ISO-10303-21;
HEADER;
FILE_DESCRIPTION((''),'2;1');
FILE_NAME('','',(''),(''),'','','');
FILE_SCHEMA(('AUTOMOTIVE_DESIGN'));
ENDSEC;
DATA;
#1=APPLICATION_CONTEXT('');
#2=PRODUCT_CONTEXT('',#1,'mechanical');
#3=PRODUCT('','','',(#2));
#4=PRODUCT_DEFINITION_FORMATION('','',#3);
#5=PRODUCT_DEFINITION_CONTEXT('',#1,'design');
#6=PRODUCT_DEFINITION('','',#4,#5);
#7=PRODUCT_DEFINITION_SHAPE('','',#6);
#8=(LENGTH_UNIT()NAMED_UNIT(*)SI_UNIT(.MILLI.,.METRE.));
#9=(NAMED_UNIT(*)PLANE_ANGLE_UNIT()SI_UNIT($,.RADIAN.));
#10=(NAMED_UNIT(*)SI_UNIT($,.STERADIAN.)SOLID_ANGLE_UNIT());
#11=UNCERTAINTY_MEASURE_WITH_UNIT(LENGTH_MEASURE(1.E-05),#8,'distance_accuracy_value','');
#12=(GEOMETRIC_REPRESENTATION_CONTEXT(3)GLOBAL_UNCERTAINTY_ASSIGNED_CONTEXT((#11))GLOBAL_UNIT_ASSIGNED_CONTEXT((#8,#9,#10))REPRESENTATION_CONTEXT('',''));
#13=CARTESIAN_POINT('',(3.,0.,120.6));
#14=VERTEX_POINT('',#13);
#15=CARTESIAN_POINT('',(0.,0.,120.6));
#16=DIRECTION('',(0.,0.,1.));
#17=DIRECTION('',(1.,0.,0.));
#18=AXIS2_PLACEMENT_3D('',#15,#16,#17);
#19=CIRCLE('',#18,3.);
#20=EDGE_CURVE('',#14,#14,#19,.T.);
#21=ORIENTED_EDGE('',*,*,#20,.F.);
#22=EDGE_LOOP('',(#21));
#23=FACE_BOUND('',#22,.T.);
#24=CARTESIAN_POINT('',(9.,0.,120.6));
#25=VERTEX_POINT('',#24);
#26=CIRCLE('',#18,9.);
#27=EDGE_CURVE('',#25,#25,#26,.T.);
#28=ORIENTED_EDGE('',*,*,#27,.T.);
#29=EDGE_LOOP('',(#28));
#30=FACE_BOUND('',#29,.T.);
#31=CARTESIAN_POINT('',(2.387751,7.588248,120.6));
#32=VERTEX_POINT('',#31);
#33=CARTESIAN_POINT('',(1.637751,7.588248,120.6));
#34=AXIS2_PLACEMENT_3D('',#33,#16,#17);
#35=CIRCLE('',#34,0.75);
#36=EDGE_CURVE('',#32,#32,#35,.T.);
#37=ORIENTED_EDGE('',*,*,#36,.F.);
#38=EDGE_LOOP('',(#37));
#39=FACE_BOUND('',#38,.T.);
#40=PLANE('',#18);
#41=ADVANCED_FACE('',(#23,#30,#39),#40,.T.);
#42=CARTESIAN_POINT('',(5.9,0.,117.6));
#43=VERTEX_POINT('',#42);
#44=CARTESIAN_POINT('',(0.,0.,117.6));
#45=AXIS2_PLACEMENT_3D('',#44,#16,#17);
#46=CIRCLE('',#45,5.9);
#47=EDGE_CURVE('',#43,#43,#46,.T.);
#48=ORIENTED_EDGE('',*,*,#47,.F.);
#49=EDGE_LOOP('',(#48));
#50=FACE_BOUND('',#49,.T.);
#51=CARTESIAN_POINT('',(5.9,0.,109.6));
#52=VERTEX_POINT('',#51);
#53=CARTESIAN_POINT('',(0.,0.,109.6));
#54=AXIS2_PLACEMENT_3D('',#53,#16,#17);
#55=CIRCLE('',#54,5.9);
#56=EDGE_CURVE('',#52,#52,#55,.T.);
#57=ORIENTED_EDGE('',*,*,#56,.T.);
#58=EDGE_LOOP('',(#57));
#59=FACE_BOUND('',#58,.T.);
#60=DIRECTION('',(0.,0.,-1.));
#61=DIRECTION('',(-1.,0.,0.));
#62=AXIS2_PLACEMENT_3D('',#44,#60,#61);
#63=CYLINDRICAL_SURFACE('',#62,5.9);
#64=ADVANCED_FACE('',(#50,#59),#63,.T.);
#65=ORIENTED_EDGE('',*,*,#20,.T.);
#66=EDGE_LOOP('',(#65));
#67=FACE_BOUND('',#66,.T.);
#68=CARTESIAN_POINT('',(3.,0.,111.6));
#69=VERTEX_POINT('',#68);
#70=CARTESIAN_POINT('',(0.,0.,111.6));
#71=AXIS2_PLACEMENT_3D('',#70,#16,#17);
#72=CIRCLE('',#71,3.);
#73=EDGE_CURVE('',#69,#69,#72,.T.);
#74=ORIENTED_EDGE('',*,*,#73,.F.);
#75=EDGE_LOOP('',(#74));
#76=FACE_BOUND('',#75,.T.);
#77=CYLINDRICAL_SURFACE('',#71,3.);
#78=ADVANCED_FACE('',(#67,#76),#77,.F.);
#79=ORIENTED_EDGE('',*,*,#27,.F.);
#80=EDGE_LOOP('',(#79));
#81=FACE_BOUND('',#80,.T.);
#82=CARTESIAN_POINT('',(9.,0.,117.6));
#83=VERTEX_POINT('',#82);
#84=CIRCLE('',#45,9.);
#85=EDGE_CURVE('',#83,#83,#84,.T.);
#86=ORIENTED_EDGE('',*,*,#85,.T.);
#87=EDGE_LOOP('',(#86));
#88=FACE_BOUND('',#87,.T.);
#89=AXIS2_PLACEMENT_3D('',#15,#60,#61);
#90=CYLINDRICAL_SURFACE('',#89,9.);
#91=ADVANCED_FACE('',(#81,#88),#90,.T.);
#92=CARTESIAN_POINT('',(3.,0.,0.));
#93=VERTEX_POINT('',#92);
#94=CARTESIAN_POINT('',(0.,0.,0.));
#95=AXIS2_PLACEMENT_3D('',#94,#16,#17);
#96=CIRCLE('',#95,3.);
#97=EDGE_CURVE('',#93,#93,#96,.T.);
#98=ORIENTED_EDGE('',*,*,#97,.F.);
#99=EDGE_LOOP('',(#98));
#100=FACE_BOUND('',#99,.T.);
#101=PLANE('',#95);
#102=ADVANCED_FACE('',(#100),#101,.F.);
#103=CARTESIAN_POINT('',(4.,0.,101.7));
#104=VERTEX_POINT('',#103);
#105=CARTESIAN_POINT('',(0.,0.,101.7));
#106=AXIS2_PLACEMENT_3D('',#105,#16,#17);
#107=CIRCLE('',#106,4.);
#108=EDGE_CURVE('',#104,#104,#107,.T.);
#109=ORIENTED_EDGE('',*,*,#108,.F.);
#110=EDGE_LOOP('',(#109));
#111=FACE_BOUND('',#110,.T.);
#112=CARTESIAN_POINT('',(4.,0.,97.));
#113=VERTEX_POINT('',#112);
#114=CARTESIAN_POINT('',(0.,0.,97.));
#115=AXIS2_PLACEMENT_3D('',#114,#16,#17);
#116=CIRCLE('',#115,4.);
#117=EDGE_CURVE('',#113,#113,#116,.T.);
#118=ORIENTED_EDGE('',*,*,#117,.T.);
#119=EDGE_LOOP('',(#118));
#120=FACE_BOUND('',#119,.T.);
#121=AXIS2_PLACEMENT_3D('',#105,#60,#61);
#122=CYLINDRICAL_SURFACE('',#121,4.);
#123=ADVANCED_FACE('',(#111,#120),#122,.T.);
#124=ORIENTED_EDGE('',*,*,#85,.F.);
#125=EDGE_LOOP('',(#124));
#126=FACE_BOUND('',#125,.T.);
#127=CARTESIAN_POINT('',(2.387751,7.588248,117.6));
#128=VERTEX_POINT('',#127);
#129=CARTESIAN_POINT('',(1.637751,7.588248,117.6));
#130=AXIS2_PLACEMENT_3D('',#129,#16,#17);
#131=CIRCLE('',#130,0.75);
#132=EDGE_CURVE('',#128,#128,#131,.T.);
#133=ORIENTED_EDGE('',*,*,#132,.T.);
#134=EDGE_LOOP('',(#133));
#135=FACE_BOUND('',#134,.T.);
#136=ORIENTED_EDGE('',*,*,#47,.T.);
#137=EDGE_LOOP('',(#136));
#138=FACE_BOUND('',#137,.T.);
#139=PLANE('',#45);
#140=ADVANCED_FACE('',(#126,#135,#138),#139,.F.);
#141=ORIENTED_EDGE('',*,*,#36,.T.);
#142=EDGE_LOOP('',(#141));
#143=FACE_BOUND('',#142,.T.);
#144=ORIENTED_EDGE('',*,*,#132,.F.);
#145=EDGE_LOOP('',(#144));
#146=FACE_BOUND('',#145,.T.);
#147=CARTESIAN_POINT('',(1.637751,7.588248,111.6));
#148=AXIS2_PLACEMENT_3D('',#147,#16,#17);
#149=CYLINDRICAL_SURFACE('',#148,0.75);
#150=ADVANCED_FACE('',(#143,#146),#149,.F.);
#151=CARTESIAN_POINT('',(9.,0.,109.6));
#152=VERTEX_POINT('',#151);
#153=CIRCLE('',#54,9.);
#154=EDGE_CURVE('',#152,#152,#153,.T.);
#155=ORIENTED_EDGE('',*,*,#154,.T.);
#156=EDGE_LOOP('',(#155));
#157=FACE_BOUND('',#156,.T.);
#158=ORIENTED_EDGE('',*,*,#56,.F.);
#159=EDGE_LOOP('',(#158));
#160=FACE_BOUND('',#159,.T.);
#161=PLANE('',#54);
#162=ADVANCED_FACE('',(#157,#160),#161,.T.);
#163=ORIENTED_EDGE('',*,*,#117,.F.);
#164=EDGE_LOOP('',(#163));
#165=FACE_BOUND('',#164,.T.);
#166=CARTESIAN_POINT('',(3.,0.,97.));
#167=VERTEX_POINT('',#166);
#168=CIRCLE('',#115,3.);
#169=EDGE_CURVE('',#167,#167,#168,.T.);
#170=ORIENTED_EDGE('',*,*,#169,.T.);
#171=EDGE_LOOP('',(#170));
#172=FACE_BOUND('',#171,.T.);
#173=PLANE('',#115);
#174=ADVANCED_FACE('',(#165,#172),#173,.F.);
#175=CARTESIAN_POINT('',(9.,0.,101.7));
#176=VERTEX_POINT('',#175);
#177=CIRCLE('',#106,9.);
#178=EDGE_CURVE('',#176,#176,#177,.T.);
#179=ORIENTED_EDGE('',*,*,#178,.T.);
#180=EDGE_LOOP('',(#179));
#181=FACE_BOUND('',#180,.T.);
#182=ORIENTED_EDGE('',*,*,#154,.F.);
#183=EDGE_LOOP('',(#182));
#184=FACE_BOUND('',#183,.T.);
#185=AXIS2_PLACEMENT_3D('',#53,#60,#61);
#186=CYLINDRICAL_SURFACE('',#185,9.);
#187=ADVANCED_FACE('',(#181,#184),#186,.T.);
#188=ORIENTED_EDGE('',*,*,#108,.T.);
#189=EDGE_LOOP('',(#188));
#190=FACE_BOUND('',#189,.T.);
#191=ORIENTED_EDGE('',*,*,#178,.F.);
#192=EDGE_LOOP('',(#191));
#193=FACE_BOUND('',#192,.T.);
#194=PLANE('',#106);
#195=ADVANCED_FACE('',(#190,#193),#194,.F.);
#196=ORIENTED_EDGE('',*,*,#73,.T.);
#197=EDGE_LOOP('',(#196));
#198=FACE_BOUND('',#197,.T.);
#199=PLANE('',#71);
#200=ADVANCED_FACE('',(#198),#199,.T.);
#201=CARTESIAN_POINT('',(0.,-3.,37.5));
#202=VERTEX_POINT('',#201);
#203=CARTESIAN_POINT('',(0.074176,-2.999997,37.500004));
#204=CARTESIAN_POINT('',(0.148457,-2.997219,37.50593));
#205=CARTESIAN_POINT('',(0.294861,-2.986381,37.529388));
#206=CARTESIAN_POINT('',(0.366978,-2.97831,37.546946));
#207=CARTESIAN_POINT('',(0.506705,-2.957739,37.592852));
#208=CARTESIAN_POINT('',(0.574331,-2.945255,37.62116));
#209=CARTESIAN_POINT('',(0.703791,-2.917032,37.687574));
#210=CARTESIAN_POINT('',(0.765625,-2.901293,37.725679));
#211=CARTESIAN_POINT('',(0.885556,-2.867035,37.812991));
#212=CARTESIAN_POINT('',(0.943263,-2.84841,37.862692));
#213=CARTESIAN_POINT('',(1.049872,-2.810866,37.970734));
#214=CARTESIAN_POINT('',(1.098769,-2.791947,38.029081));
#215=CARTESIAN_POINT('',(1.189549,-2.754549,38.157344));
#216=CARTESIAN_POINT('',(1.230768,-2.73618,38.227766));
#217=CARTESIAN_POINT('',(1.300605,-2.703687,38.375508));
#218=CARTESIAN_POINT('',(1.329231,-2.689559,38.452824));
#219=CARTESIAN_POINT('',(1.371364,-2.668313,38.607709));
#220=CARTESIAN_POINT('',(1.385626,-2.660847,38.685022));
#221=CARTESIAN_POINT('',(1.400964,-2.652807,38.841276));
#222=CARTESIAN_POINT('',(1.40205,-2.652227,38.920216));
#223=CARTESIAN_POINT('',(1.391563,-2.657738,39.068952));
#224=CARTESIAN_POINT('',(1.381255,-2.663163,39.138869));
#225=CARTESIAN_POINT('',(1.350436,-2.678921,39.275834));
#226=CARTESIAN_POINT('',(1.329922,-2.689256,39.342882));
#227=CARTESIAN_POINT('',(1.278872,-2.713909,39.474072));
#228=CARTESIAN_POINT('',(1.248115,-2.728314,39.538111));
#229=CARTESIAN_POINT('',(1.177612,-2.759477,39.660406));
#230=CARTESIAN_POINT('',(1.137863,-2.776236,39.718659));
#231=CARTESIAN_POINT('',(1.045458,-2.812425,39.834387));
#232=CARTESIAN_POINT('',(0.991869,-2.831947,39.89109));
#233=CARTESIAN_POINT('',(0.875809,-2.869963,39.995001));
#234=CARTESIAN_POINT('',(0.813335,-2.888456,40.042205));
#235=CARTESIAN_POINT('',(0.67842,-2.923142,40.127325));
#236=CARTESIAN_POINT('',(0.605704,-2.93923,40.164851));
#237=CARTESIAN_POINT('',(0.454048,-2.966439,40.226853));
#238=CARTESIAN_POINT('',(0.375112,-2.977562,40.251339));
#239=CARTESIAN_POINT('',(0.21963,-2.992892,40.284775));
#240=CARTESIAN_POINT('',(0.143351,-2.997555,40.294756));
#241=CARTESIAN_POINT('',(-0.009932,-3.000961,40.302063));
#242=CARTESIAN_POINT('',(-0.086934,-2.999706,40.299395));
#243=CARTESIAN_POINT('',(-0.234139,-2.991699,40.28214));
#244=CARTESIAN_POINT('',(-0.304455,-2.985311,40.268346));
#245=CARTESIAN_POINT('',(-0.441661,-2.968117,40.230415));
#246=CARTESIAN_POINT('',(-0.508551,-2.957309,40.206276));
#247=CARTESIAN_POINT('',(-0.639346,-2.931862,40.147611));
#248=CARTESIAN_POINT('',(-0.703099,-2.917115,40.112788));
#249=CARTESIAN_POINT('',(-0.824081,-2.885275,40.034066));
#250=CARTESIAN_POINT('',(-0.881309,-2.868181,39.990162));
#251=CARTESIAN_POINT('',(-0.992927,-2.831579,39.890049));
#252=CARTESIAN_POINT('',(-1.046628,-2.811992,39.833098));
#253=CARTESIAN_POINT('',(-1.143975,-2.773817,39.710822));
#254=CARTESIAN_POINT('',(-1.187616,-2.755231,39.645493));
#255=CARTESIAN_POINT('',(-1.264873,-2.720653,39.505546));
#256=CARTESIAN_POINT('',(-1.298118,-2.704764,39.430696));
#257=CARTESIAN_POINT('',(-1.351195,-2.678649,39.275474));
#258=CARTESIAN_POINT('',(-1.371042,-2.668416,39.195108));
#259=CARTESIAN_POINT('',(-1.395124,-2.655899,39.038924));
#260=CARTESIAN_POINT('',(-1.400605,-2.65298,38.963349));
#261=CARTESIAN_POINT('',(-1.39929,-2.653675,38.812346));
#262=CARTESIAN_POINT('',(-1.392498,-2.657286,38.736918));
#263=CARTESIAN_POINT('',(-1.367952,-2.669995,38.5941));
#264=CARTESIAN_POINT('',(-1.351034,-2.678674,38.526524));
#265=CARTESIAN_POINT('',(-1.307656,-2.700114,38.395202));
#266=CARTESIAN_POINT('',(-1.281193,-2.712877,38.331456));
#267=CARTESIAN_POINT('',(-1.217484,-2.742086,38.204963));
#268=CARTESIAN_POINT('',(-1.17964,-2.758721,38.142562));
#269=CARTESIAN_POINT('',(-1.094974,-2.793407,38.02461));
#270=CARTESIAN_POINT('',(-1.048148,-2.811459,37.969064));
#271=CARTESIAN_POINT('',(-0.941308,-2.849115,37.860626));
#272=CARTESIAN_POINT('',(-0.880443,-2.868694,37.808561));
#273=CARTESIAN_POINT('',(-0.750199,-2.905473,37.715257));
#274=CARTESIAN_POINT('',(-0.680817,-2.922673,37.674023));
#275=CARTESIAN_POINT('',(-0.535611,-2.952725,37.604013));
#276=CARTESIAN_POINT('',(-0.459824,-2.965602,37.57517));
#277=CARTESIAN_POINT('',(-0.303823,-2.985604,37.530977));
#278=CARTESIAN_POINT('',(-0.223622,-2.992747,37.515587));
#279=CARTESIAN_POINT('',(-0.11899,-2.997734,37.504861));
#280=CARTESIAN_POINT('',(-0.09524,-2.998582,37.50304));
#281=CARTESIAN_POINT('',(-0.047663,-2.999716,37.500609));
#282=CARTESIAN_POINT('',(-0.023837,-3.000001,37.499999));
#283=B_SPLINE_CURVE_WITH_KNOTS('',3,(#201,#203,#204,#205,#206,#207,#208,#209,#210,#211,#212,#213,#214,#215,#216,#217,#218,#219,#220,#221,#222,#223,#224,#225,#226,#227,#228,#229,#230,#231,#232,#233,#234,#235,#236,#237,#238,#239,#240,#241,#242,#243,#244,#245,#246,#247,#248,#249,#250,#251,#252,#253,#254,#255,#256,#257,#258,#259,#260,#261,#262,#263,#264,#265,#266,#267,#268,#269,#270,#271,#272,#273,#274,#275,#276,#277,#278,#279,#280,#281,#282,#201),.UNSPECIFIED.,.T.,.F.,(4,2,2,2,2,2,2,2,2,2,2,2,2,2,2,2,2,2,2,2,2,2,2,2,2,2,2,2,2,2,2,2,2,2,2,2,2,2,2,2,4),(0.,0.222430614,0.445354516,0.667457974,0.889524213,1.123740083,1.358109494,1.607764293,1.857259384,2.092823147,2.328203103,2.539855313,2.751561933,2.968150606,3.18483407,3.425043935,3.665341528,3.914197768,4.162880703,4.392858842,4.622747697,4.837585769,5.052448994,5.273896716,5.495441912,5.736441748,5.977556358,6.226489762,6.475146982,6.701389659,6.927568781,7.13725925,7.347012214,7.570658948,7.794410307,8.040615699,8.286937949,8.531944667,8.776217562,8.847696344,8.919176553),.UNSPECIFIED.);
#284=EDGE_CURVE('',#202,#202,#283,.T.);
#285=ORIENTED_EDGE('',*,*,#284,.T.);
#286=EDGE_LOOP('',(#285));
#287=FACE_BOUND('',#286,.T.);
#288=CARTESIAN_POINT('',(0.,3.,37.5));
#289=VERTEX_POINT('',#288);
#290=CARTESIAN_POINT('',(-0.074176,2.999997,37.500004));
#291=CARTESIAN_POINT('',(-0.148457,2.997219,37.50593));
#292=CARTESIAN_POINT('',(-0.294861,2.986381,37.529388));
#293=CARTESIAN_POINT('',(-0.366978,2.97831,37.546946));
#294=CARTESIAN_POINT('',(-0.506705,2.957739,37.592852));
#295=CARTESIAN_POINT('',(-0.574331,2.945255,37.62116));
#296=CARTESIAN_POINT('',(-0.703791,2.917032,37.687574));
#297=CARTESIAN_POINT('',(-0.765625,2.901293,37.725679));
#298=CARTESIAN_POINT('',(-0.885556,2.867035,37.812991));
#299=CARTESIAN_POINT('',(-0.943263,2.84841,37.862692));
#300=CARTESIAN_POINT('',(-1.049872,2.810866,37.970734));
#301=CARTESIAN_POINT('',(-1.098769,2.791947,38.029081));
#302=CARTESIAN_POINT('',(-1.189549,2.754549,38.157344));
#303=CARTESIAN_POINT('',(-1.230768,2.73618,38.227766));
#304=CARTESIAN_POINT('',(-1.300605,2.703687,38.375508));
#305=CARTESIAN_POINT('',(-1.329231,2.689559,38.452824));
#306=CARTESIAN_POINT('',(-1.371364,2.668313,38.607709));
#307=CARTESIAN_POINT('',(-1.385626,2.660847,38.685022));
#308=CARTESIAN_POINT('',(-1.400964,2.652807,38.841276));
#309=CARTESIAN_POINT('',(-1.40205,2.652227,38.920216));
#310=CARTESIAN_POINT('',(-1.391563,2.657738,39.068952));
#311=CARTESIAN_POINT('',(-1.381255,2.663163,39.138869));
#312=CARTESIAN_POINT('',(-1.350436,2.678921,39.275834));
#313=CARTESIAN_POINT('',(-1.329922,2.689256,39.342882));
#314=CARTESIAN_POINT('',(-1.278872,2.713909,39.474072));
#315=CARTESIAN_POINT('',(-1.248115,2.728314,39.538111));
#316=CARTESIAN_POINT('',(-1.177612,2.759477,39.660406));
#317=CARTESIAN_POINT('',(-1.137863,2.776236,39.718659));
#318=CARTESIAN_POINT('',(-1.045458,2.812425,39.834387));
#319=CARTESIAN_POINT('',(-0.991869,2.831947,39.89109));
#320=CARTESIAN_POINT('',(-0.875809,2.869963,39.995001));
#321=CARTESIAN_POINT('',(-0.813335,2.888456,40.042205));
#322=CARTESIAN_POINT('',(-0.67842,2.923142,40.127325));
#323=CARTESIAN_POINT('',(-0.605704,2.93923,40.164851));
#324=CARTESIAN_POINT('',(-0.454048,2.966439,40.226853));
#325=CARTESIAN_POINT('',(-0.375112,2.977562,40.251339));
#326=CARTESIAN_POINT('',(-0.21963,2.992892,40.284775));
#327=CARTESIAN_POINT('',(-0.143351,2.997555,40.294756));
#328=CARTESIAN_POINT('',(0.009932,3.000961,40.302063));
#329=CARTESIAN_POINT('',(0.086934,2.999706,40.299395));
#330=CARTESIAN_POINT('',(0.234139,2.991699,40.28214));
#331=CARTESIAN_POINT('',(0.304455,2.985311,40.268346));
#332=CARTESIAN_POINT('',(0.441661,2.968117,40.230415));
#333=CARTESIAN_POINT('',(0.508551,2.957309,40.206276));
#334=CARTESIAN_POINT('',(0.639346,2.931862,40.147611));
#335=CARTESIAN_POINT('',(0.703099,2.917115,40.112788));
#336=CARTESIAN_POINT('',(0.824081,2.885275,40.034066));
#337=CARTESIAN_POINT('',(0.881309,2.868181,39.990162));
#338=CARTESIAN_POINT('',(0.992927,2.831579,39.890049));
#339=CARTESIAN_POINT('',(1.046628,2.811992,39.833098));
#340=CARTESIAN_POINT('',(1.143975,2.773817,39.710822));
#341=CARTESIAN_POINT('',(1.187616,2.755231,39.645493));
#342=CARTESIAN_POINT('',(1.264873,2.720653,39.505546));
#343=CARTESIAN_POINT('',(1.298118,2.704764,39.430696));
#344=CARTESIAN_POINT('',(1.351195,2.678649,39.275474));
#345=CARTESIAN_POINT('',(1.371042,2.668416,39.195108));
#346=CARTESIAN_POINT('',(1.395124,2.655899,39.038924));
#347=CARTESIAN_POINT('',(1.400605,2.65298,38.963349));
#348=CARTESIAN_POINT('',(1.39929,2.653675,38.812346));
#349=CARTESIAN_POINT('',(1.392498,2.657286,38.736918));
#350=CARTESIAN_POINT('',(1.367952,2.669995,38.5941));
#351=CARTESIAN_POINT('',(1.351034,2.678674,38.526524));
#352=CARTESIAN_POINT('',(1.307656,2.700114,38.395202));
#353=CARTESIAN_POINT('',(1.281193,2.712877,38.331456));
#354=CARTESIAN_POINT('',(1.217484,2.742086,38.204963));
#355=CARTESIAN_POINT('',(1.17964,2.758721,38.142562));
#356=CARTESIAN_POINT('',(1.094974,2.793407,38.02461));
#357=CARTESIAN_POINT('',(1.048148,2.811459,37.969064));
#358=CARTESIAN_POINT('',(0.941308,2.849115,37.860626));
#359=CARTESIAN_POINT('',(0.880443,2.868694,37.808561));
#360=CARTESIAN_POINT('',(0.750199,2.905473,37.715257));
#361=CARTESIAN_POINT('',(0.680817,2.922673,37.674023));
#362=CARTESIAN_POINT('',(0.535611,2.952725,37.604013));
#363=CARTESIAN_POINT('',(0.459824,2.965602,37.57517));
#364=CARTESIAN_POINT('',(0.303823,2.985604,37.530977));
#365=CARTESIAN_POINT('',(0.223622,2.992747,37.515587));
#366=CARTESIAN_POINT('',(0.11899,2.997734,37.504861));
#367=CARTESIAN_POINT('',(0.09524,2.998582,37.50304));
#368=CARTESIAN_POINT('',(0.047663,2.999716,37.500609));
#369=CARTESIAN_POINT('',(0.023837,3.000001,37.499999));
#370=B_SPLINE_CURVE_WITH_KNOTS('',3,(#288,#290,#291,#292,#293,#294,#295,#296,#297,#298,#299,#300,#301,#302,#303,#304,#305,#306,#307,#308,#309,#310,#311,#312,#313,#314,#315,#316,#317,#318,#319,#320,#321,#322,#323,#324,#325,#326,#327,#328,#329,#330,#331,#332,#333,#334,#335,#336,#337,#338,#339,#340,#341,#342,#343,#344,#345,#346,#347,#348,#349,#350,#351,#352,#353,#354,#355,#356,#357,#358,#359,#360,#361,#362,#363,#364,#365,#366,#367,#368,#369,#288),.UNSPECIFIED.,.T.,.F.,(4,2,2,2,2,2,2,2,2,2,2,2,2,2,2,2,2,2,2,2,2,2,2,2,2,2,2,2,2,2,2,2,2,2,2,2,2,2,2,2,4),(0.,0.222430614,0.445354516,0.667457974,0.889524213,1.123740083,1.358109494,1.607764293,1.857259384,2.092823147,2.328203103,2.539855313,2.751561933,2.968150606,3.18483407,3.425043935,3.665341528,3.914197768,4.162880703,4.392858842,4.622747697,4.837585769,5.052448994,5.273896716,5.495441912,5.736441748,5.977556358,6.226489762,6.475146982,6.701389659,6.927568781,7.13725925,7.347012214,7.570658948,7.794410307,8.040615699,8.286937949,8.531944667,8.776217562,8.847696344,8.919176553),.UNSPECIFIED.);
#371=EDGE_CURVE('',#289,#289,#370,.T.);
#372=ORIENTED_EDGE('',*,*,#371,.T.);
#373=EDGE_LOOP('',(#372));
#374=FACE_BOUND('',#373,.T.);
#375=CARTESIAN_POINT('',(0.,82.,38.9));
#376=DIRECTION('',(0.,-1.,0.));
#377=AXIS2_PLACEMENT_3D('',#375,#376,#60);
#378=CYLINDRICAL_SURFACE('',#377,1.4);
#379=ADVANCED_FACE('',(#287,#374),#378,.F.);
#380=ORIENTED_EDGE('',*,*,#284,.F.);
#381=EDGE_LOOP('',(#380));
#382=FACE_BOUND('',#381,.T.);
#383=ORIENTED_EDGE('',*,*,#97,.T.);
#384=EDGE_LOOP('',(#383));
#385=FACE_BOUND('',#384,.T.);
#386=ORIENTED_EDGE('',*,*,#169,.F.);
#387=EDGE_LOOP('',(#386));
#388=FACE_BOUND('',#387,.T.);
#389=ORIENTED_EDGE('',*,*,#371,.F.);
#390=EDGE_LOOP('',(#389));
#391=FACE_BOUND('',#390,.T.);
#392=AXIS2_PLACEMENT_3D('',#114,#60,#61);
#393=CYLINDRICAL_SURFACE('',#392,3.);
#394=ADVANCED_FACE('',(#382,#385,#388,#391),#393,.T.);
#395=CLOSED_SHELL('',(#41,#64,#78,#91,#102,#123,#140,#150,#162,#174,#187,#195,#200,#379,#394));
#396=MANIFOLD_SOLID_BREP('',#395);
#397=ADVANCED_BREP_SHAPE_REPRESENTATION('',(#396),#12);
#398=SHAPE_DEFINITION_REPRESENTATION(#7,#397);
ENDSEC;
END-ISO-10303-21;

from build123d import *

# Parameters (mm, degrees)
SKETCH1_R               = 3
BOSS_EXTRUDE1_DEPTH     = 97
SKETCH2_R               = 4
BOSS_EXTRUDE2_DEPTH     = 4.7
SKETCH3_R               = 9
BOSS_EXTRUDE3_DEPTH     = 7.9
SKETCH4_R               = 5.9
BOSS_EXTRUDE4_DEPTH     = 8
SKETCH5_R               = 9
BOSS_EXTRUDE5_DEPTH     = 3
CUT_EXTRUDE1_DEPTH      = 82
CUT_EXTRUDE1_DEPTH_BACK = 82
SKETCH6_R               = 1.4
CUT_EXTRUDE2_START      = -9
SKETCH7_R               = 3
SKETCH7_R_2             = 0.75
CUT_EXTRUDE2_DEPTH      = 9


with BuildPart() as part:
    # Sketch1 → Boss-Extrude1 (new body)
    with BuildSketch(Plane.XY):
        Circle(SKETCH1_R)
    extrude(amount=BOSS_EXTRUDE1_DEPTH)

    # Sketch2 → Boss-Extrude2 (add)
    with BuildSketch(Plane.XY.offset(97)):
        Circle(SKETCH2_R)
    extrude(amount=BOSS_EXTRUDE2_DEPTH)

    # Sketch3 → Boss-Extrude3 (add)
    with BuildSketch(Plane.XY.offset(101.7)):
        Circle(SKETCH3_R)
    extrude(amount=BOSS_EXTRUDE3_DEPTH)

    # Sketch4 → Boss-Extrude4 (add)
    with BuildSketch(Plane.XY.offset(109.6)):
        Circle(SKETCH4_R)
    extrude(amount=BOSS_EXTRUDE4_DEPTH)

    # Sketch5 → Boss-Extrude5 (add)
    with BuildSketch(Plane.XY.offset(117.6)):
        Circle(SKETCH5_R)
    extrude(amount=BOSS_EXTRUDE5_DEPTH)

    # Sketch6 → Cut-Extrude1 (cut, two sides: drawn at the far end of the back side and taken through both)
    with BuildSketch(Plane(origin=(0, 0, 0), x_dir=(1, 0, 0), z_dir=(0, 1, 0)).offset(-CUT_EXTRUDE1_DEPTH_BACK)):
        with Locations((0, -38.9)):
            Circle(SKETCH6_R)
    extrude(amount=CUT_EXTRUDE1_DEPTH + CUT_EXTRUDE1_DEPTH_BACK, mode=Mode.SUBTRACT)

    # Sketch7 → Cut-Extrude2 (cut)
    with BuildSketch(Plane.XY.offset(120.6).offset(CUT_EXTRUDE2_START)):
        Circle(SKETCH7_R)
        with Locations((1.637751338, 7.588247864)):
            Circle(SKETCH7_R_2)
    extrude(amount=CUT_EXTRUDE2_DEPTH, mode=Mode.SUBTRACT)


solid = part.part
